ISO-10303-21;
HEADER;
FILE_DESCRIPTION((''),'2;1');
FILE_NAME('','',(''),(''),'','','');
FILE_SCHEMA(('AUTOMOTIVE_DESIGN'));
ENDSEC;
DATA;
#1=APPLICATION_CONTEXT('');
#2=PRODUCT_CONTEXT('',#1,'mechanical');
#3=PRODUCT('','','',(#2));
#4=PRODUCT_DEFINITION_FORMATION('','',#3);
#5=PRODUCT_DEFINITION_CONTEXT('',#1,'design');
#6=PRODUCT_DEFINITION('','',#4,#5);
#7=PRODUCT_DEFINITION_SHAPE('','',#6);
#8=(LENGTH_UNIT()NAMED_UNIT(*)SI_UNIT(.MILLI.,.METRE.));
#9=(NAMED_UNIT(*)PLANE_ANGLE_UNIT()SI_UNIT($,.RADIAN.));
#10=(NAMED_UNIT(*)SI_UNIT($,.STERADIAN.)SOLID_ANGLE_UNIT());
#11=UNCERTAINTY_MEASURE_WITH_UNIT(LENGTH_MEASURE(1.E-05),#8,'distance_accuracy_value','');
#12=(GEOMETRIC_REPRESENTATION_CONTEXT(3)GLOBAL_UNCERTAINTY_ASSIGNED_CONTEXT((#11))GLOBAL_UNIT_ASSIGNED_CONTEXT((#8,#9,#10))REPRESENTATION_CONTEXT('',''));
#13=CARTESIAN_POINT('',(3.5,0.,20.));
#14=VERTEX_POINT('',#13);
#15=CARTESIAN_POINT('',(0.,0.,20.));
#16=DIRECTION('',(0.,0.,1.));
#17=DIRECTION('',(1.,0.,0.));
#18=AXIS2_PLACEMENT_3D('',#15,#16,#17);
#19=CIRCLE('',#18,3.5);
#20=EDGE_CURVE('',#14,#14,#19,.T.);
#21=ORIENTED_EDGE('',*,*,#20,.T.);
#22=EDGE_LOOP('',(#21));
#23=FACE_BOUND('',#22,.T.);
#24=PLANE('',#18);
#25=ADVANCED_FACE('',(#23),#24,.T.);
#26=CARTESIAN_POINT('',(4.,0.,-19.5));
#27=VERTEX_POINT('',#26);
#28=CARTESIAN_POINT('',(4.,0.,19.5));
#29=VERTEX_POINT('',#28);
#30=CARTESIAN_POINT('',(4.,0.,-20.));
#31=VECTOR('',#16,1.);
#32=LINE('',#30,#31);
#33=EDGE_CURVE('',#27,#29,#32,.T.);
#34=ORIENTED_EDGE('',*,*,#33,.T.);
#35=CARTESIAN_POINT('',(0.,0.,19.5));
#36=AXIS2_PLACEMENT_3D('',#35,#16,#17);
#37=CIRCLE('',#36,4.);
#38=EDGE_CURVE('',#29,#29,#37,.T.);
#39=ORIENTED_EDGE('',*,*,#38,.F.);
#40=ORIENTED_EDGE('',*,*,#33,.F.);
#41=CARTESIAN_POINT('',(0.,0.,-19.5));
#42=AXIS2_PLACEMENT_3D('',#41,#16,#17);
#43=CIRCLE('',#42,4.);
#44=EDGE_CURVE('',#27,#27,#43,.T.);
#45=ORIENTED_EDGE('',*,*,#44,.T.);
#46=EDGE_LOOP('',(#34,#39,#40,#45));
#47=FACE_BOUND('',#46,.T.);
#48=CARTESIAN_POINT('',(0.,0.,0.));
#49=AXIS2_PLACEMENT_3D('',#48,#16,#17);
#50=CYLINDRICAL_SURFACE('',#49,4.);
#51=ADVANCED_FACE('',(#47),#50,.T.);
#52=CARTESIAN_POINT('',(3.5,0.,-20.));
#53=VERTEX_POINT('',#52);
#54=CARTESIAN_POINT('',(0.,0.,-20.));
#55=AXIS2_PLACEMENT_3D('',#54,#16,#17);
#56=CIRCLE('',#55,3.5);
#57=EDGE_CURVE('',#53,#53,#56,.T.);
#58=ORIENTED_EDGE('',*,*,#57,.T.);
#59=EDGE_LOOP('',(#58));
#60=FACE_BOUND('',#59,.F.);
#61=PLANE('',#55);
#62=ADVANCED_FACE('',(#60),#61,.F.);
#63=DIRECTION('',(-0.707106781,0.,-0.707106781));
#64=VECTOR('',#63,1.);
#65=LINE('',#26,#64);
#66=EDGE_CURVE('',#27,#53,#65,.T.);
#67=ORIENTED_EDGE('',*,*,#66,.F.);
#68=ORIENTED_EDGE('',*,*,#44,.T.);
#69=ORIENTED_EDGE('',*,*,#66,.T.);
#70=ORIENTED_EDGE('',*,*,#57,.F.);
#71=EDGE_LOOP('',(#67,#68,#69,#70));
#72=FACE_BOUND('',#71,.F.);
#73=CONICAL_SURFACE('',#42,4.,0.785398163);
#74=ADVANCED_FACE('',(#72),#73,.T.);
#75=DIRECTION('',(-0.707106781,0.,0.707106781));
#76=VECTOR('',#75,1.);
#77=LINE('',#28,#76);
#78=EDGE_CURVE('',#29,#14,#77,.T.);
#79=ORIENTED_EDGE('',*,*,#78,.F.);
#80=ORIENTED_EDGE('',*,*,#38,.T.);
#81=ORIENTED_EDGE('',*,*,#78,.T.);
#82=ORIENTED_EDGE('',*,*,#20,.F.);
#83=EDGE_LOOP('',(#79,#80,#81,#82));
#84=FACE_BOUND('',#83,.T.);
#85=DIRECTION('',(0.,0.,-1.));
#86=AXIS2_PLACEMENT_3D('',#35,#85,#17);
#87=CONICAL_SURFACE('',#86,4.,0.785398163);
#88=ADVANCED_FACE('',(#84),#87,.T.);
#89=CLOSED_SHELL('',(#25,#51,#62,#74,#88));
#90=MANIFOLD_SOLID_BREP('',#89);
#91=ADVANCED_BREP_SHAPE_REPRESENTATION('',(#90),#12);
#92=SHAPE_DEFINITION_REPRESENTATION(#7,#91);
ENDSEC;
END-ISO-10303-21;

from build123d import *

# Parameters (mm, degrees)
CROQUIS1_R              = 4
SALIENTE_EXTRUIR1_DEPTH = 20
CHAFL_N1_SIZE           = 0.5


with BuildPart() as part:
    # Croquis1 → Saliente-Extruir1 (new body, symmetric)
    with BuildSketch(Plane.XY):
        Circle(CROQUIS1_R)
    extrude(amount=SALIENTE_EXTRUIR1_DEPTH, both=True)

    # Chaflán1
    chafl_n1_edges = [part.edges().sort_by_distance(p)[0] for p in [
        (-4, 0, -20),
        (-4, 0, 20),
    ]]
    chamfer(chafl_n1_edges, length=CHAFL_N1_SIZE)


solid = part.part
